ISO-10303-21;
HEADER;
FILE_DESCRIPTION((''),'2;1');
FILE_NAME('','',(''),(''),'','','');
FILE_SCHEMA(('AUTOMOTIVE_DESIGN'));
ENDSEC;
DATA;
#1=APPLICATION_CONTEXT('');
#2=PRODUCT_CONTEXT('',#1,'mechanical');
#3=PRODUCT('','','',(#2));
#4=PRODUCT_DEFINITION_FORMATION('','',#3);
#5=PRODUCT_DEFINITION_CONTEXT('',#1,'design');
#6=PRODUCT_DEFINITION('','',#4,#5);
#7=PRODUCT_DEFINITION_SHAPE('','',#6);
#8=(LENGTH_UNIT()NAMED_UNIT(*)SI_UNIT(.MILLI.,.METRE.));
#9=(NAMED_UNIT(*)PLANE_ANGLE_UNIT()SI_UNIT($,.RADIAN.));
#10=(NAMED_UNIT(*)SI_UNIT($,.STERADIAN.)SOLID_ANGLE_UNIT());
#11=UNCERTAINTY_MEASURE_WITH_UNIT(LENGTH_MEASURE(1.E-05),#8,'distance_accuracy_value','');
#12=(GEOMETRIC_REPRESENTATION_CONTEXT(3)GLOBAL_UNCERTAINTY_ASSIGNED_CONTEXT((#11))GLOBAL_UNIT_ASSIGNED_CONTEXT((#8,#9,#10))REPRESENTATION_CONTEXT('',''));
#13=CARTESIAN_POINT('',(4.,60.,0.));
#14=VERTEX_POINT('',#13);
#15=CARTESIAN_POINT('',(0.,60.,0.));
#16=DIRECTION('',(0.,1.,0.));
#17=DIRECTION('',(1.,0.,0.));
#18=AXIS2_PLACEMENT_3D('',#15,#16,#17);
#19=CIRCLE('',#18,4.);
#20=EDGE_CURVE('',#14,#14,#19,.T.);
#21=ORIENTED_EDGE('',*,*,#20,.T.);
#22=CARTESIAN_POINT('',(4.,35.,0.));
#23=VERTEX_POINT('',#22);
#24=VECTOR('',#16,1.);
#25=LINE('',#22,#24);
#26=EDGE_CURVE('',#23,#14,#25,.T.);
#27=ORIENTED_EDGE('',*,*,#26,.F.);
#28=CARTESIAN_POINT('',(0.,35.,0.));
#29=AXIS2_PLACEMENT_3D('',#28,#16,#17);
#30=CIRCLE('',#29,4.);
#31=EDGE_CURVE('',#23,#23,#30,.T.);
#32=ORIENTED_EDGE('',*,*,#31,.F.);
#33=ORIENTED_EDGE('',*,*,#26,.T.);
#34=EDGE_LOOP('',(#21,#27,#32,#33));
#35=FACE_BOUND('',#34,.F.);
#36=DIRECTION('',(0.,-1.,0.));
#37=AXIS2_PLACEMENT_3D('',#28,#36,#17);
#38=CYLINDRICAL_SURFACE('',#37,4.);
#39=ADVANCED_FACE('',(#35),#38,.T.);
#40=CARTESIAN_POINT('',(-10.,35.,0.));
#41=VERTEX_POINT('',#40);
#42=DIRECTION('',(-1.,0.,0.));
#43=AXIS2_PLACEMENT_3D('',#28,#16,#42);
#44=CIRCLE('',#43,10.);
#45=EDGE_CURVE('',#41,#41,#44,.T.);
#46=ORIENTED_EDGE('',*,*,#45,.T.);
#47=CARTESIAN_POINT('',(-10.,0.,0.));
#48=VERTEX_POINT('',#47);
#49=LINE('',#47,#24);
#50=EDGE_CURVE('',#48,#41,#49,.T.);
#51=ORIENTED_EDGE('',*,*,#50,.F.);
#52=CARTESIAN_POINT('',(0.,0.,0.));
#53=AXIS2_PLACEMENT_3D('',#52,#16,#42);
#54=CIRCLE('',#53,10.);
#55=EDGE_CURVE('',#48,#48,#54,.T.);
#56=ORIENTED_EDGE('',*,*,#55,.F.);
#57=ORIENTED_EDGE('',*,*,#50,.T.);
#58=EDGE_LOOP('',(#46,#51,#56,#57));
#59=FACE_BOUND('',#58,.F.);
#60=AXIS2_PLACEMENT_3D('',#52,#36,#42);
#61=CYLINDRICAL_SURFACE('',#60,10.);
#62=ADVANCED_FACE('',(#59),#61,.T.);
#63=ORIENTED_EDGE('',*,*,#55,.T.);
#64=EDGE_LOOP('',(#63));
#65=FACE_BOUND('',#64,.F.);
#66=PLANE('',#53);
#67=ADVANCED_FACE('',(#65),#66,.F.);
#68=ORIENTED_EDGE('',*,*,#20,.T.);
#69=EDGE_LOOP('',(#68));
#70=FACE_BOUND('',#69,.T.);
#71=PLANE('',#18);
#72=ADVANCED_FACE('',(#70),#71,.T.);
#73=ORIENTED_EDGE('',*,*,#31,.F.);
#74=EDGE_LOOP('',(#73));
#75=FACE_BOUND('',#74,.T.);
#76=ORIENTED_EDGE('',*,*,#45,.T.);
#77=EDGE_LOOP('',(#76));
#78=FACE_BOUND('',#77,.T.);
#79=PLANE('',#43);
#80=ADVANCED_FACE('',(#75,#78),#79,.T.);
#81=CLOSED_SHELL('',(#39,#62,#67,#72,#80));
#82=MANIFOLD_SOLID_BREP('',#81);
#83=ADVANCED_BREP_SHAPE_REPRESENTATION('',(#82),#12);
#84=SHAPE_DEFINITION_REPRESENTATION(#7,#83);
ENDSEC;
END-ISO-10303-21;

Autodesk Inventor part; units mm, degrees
ref_plane "YZ Plane" through (0, 0, 0) normal (1, 0, 0) x (0, 1, 0)
ref_plane "XZ Plane" through (0, 0, 0) normal (0, 1, 0) x (-1, 0, 0)
ref_plane "XY Plane" through (0, 0, 0) normal (0, 0, 1) x (1, 0, 0)
sketch "Sketch1" plane through (0, 0, 0) normal (0, 1, 0) x (-1, 0, 0)
  circle A0 centre (0, 0) radius 10
  dimension "d0" = 20
extrude "Extrusion1" add sketch "Sketch1" along normal blind 35
sketch "Sketch2" plane through (0, 35, 0) normal (0, 1, 0) x (1, 0, 0)
  circle A0 centre (0, 0) radius 4
  dimension "d3" = 8
extrude "Extrusion2" add sketch "Sketch2" along normal blind 25
properties part number "motor" material "Copper"
